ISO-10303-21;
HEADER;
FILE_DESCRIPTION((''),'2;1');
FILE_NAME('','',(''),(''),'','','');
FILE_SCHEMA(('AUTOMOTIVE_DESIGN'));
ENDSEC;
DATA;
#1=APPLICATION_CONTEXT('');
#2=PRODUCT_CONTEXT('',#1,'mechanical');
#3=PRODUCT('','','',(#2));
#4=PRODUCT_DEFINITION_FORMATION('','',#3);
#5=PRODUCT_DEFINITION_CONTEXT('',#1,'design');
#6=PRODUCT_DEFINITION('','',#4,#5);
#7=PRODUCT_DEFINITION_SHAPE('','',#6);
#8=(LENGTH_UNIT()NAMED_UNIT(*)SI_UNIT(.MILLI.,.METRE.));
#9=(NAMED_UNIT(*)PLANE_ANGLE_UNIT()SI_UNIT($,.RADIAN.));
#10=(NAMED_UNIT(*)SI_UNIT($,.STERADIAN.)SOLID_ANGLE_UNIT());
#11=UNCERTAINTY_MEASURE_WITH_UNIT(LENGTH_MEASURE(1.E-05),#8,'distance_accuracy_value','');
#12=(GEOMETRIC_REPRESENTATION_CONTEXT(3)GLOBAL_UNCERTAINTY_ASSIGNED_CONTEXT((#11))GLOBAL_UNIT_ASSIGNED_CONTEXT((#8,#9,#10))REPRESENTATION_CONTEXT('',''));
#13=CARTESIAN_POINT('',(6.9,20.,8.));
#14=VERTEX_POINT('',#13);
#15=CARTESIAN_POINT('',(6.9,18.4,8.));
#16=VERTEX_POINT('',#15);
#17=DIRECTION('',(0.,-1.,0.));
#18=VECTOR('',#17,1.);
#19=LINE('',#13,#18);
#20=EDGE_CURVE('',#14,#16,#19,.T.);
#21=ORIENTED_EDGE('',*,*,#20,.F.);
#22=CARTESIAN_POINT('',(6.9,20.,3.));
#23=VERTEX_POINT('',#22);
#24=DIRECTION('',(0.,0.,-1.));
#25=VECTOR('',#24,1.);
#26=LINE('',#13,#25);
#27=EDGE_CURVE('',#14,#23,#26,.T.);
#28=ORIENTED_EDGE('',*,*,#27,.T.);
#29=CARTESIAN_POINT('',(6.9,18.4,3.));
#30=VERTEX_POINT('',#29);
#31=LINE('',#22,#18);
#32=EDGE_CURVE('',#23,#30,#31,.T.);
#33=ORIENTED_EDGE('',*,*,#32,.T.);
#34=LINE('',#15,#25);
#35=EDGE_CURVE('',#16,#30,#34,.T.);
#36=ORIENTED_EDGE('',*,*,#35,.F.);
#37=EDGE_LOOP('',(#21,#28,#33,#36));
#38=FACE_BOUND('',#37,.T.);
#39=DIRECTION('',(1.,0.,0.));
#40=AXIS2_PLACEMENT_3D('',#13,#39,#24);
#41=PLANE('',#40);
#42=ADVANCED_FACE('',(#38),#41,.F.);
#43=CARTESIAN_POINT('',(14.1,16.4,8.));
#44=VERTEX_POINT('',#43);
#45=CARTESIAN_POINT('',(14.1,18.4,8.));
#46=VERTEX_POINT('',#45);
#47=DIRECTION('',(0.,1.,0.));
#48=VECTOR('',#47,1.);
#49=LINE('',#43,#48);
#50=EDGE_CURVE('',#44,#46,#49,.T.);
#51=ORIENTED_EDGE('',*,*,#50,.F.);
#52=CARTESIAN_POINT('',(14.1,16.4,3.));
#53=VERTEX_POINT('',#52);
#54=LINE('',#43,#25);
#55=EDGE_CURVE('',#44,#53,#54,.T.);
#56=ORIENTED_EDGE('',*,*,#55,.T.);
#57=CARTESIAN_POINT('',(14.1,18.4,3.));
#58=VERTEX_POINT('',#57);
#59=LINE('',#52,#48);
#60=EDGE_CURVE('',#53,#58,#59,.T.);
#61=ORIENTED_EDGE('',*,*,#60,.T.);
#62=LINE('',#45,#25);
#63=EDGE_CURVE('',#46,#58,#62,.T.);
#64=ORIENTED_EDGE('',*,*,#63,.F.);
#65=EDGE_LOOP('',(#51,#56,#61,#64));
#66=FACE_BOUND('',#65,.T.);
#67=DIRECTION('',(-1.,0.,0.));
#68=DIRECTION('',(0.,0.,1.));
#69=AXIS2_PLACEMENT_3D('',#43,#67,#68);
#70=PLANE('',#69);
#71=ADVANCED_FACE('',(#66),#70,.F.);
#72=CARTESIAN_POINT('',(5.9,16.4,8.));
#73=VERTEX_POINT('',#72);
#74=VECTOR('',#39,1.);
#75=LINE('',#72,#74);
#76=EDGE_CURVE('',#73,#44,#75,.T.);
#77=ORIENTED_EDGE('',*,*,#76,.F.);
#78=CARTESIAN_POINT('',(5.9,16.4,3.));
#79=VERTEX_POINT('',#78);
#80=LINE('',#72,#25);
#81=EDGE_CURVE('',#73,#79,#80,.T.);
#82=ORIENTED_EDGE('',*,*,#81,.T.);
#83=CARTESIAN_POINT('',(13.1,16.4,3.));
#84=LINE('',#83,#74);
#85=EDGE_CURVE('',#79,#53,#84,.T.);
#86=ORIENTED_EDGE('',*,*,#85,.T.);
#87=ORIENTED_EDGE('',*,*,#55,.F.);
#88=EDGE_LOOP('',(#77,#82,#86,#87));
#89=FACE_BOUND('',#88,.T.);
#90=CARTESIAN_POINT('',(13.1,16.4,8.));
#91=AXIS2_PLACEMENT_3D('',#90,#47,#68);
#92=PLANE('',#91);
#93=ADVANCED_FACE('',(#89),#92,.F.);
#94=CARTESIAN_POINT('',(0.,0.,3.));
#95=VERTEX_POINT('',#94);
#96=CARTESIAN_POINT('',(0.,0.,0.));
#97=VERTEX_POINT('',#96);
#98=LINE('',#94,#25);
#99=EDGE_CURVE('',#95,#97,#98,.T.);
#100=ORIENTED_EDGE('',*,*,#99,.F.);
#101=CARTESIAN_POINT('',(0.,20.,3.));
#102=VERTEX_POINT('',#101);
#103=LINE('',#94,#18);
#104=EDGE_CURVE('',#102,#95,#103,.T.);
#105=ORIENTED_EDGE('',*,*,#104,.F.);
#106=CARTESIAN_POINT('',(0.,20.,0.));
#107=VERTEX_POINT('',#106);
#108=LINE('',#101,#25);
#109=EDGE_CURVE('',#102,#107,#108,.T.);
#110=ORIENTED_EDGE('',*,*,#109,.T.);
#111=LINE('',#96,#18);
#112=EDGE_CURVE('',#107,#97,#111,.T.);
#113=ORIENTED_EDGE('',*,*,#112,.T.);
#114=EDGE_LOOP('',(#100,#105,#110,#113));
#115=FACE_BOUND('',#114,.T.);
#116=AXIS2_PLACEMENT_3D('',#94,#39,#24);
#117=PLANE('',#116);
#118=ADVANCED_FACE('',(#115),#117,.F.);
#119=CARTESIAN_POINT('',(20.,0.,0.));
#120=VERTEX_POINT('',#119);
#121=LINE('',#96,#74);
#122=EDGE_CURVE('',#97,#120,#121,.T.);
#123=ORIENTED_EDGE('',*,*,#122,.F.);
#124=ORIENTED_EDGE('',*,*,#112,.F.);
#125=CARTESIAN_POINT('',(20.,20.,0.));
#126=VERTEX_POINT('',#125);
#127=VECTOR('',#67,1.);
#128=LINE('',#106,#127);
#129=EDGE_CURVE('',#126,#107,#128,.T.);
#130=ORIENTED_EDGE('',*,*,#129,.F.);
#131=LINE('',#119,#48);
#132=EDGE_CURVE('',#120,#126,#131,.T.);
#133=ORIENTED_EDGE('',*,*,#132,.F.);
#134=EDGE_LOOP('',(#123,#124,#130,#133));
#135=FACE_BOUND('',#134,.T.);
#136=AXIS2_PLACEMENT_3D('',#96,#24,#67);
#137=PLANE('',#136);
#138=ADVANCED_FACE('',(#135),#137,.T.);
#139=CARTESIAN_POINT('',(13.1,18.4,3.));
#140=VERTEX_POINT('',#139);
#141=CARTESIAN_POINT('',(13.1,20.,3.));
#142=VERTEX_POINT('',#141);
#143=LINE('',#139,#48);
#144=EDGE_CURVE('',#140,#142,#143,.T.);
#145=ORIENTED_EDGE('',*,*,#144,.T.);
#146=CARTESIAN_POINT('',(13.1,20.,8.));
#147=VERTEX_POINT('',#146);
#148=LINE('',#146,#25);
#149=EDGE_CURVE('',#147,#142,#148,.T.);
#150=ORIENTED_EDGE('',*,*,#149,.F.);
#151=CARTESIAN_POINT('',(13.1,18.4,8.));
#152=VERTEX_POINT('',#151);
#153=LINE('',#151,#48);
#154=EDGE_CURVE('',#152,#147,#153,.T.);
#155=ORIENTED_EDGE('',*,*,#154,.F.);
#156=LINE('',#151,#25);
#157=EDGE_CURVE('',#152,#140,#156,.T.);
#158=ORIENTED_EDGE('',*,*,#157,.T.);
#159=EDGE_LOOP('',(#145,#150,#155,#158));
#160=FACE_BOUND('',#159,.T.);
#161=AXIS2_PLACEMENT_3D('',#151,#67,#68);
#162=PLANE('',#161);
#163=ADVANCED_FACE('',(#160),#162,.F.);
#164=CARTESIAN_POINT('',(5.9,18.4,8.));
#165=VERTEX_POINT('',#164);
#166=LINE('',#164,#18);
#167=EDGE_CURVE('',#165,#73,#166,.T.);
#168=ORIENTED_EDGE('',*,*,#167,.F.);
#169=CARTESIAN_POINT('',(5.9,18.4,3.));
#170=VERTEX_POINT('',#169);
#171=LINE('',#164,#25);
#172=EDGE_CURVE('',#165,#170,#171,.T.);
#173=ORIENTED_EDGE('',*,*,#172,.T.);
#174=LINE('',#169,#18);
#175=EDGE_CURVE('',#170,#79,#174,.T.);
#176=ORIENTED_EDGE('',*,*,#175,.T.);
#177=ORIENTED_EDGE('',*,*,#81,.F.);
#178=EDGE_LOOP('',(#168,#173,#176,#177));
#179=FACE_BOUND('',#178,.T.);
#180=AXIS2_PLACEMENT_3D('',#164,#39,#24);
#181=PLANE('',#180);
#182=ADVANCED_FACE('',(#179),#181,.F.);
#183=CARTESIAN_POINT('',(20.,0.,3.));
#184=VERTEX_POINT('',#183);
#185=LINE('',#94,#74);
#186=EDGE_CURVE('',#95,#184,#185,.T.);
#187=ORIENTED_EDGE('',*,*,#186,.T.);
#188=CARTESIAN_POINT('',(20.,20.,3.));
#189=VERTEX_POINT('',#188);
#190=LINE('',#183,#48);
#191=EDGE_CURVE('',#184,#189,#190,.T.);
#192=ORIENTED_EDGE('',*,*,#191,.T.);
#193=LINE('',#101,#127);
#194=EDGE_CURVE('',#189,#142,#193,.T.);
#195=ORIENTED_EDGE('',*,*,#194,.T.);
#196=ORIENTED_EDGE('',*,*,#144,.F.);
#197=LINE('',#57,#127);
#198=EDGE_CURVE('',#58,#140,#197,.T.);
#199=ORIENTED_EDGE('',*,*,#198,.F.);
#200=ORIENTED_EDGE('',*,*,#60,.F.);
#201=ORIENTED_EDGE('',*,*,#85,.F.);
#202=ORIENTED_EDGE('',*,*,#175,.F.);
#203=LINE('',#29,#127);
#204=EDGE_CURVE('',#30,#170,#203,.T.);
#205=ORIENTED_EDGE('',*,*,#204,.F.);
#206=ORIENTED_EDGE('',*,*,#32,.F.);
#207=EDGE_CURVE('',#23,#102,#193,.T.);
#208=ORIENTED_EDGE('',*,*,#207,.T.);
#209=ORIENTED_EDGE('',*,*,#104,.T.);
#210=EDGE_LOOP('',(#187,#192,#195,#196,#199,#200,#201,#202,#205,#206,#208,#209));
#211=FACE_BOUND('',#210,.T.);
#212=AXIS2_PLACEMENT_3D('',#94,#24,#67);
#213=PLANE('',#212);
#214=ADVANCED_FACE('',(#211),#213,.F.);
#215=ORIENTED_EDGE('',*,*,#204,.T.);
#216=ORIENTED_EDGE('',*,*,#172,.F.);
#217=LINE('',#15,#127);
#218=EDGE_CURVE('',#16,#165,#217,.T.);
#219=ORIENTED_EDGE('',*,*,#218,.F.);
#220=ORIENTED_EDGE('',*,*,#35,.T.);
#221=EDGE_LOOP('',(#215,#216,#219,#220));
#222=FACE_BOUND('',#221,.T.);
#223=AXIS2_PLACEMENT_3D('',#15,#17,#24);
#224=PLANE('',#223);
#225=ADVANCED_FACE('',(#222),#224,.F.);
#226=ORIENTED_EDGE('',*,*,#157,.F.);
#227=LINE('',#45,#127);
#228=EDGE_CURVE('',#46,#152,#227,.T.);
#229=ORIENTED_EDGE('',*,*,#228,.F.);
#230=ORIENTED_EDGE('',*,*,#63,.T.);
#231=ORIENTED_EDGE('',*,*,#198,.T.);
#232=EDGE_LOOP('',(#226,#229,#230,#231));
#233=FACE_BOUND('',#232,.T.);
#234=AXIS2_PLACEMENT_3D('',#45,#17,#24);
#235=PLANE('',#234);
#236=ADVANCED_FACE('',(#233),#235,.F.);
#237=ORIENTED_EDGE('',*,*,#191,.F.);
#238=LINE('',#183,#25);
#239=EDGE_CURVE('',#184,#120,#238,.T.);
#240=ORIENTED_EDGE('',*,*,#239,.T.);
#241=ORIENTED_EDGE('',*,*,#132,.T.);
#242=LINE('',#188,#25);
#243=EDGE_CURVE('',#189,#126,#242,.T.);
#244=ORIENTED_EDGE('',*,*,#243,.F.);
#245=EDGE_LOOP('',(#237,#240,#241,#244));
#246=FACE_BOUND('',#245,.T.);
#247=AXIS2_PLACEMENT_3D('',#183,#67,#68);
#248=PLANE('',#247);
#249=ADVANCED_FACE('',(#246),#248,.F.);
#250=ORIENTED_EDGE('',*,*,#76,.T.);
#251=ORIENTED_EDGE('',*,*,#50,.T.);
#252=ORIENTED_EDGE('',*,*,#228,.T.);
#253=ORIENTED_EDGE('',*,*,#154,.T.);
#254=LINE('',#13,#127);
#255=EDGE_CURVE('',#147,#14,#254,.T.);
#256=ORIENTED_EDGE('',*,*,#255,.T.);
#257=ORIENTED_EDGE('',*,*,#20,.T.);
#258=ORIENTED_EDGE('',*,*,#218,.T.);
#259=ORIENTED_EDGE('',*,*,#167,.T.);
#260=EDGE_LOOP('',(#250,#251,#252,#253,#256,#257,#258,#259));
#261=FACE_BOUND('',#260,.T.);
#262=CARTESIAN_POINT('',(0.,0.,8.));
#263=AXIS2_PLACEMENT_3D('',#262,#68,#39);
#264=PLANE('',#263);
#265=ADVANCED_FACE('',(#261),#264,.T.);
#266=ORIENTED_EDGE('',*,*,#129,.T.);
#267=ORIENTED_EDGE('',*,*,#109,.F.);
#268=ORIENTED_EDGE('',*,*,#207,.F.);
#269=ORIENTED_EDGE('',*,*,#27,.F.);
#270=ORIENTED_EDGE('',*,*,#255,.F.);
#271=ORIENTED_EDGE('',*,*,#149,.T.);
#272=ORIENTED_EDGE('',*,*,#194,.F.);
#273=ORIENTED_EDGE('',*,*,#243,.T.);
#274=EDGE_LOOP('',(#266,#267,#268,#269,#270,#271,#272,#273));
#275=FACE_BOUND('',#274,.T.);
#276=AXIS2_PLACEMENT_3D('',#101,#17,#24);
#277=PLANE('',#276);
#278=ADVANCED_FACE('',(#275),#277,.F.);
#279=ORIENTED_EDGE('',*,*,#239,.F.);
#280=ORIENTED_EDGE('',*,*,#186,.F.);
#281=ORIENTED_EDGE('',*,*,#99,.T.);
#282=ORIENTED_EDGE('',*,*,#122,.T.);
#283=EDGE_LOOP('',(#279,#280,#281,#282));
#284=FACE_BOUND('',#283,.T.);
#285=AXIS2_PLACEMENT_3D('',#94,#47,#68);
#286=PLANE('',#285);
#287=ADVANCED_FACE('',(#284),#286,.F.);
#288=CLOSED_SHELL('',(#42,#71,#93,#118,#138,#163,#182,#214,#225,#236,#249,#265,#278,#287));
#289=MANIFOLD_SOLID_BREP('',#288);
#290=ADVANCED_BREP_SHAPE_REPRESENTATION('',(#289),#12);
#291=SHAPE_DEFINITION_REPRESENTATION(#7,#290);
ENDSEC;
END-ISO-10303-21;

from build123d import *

# Parameters (mm, degrees)
SKETCH1_W           = 20
SKETCH1_H           = 20
BOSS_EXTRUDE1_DEPTH = 3
BOSS_EXTRUDE2_DEPTH = 5


with BuildPart() as part:
    # Sketch1 → Boss-Extrude1 (new body)
    with BuildSketch(Plane.XY):
        with Locations((10, 10)):
            Rectangle(SKETCH1_W, SKETCH1_H)
    extrude(amount=BOSS_EXTRUDE1_DEPTH)

    # Sketch2 → Boss-Extrude2 (add)
    with BuildSketch(Plane.XY.offset(3)):
        Polygon((6.9, 20), (6.9, 18.4), (5.9, 18.4), (5.9, 16.4), (13.1, 16.4), (14.1, 16.4), (14.1, 18.4), (13.1, 18.4), (13.1, 20), align=None)
    extrude(amount=BOSS_EXTRUDE2_DEPTH)


solid = part.part
